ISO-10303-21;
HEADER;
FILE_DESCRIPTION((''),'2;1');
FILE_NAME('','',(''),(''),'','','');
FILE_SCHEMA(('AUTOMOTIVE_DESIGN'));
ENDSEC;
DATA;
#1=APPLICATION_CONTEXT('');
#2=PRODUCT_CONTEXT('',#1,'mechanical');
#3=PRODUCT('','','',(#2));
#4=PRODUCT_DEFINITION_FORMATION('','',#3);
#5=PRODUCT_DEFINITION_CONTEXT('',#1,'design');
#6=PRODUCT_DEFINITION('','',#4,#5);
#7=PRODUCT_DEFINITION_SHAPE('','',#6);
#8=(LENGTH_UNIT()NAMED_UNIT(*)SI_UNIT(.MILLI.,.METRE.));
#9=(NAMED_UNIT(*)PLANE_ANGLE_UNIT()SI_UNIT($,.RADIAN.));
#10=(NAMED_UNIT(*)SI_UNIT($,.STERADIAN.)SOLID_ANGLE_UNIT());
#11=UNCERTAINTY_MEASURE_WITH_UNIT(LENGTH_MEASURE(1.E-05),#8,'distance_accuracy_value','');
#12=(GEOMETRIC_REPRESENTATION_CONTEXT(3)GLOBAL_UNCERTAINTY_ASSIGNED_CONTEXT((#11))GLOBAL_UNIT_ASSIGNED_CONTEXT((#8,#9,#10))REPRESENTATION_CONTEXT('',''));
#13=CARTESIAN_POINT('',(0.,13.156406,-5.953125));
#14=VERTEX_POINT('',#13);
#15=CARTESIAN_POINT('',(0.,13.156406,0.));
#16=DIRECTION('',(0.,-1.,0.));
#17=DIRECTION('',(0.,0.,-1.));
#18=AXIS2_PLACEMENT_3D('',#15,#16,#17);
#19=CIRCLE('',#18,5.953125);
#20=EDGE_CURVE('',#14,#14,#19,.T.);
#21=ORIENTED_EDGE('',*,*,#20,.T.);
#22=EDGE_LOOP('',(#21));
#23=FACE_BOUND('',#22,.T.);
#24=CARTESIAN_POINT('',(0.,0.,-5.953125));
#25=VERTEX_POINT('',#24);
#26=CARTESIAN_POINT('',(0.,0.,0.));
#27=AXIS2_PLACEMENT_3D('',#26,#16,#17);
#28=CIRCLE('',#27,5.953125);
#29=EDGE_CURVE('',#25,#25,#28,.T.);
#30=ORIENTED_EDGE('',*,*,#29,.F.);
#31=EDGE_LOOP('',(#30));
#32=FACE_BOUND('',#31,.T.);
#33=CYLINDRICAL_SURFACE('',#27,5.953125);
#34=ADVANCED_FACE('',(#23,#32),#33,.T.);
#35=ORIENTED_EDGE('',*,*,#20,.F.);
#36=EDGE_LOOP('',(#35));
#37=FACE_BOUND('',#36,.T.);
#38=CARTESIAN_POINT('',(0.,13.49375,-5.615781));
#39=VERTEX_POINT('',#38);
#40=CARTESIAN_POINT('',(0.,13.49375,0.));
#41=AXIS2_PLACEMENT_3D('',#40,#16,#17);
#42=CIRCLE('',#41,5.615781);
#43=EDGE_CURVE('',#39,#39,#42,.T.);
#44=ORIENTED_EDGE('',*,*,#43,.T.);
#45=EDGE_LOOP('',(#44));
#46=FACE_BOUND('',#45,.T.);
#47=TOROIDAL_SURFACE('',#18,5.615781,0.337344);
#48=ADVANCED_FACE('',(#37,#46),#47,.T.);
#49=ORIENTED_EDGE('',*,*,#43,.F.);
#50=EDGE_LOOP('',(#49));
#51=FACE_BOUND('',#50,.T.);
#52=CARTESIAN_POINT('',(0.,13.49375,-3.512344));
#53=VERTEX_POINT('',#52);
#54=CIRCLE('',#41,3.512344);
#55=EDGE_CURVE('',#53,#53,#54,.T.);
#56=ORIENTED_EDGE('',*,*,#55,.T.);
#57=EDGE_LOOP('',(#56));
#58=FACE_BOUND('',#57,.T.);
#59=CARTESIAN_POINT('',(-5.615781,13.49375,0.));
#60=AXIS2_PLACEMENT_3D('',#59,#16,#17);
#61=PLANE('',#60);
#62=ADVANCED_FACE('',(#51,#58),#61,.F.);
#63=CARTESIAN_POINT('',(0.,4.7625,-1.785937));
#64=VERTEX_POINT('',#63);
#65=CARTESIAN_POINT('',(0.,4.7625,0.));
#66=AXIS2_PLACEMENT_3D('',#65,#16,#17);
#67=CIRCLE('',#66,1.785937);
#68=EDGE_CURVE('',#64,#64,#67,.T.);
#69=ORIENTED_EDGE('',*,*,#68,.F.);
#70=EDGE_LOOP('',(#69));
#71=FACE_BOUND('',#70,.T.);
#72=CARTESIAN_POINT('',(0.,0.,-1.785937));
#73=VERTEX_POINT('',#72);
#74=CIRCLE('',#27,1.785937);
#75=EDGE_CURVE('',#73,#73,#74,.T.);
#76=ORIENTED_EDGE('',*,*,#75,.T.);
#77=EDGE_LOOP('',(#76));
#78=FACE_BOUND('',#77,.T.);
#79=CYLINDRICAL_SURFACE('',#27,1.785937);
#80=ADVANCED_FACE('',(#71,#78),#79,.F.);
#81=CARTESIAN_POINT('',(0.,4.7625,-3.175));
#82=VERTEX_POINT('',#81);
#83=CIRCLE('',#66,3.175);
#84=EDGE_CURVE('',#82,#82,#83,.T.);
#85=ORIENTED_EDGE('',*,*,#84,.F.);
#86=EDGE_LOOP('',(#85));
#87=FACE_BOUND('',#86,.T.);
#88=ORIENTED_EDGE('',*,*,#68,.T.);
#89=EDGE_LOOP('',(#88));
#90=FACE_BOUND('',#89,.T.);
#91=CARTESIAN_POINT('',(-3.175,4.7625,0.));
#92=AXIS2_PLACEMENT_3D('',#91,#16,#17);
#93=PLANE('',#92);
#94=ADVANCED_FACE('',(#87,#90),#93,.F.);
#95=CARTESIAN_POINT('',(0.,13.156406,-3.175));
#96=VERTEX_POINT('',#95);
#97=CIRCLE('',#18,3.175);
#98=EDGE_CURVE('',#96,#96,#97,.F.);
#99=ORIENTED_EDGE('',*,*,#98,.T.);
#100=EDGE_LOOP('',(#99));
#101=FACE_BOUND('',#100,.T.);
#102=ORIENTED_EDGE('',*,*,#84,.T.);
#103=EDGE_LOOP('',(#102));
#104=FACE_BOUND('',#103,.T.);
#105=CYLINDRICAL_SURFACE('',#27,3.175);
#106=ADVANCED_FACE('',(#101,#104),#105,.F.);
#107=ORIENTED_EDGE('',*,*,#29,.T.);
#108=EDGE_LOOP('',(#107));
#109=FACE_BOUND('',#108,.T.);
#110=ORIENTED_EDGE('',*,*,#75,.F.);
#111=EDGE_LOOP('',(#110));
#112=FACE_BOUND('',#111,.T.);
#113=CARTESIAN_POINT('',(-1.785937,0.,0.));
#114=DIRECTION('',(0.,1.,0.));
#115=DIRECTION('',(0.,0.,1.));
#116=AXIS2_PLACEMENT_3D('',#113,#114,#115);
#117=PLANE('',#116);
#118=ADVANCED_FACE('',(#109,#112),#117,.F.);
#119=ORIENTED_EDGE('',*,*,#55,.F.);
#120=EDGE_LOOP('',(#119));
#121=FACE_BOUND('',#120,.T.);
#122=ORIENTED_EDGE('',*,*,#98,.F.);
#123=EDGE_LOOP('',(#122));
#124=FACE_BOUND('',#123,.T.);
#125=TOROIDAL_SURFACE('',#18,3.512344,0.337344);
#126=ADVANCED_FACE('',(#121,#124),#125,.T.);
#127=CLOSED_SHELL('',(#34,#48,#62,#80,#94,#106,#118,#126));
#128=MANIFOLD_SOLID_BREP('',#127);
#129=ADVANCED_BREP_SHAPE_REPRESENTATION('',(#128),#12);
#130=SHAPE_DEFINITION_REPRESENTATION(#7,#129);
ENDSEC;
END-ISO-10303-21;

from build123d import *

# Parameters (mm, degrees)
FILLET1_R = 0.33734375


with BuildPart() as part:
    # Sketch2 → Revolve1 (revolve)
    with BuildSketch(Plane.XY):
        with BuildLine():
            Line((-5.953125, 0), (-5.953125, 13.15640625))
            ThreePointArc((-5.953125, 13.15640625), (-5.854319303, 13.394944303), (-5.61578125, 13.49375))
            Line((-5.61578125, 13.49375), (-3.175, 13.49375))
            Line((-3.175, 13.49375), (-3.175, 4.7625))
            Line((-3.175, 4.7625), (-1.7859375, 4.7625))
            Line((-1.7859375, 4.7625), (-1.7859375, 0))
            Line((-1.7859375, 0), (-5.953125, 0))
        make_face()
    revolve(axis=Axis((0, 0, 0), (0, 1, 0)))

    # Fillet1
    fillet1_edges = [part.edges().sort_by_distance(p)[0] for p in [
        (3.175, 13.49375, 0),
    ]]
    fillet(fillet1_edges, radius=FILLET1_R)


solid = part.part
